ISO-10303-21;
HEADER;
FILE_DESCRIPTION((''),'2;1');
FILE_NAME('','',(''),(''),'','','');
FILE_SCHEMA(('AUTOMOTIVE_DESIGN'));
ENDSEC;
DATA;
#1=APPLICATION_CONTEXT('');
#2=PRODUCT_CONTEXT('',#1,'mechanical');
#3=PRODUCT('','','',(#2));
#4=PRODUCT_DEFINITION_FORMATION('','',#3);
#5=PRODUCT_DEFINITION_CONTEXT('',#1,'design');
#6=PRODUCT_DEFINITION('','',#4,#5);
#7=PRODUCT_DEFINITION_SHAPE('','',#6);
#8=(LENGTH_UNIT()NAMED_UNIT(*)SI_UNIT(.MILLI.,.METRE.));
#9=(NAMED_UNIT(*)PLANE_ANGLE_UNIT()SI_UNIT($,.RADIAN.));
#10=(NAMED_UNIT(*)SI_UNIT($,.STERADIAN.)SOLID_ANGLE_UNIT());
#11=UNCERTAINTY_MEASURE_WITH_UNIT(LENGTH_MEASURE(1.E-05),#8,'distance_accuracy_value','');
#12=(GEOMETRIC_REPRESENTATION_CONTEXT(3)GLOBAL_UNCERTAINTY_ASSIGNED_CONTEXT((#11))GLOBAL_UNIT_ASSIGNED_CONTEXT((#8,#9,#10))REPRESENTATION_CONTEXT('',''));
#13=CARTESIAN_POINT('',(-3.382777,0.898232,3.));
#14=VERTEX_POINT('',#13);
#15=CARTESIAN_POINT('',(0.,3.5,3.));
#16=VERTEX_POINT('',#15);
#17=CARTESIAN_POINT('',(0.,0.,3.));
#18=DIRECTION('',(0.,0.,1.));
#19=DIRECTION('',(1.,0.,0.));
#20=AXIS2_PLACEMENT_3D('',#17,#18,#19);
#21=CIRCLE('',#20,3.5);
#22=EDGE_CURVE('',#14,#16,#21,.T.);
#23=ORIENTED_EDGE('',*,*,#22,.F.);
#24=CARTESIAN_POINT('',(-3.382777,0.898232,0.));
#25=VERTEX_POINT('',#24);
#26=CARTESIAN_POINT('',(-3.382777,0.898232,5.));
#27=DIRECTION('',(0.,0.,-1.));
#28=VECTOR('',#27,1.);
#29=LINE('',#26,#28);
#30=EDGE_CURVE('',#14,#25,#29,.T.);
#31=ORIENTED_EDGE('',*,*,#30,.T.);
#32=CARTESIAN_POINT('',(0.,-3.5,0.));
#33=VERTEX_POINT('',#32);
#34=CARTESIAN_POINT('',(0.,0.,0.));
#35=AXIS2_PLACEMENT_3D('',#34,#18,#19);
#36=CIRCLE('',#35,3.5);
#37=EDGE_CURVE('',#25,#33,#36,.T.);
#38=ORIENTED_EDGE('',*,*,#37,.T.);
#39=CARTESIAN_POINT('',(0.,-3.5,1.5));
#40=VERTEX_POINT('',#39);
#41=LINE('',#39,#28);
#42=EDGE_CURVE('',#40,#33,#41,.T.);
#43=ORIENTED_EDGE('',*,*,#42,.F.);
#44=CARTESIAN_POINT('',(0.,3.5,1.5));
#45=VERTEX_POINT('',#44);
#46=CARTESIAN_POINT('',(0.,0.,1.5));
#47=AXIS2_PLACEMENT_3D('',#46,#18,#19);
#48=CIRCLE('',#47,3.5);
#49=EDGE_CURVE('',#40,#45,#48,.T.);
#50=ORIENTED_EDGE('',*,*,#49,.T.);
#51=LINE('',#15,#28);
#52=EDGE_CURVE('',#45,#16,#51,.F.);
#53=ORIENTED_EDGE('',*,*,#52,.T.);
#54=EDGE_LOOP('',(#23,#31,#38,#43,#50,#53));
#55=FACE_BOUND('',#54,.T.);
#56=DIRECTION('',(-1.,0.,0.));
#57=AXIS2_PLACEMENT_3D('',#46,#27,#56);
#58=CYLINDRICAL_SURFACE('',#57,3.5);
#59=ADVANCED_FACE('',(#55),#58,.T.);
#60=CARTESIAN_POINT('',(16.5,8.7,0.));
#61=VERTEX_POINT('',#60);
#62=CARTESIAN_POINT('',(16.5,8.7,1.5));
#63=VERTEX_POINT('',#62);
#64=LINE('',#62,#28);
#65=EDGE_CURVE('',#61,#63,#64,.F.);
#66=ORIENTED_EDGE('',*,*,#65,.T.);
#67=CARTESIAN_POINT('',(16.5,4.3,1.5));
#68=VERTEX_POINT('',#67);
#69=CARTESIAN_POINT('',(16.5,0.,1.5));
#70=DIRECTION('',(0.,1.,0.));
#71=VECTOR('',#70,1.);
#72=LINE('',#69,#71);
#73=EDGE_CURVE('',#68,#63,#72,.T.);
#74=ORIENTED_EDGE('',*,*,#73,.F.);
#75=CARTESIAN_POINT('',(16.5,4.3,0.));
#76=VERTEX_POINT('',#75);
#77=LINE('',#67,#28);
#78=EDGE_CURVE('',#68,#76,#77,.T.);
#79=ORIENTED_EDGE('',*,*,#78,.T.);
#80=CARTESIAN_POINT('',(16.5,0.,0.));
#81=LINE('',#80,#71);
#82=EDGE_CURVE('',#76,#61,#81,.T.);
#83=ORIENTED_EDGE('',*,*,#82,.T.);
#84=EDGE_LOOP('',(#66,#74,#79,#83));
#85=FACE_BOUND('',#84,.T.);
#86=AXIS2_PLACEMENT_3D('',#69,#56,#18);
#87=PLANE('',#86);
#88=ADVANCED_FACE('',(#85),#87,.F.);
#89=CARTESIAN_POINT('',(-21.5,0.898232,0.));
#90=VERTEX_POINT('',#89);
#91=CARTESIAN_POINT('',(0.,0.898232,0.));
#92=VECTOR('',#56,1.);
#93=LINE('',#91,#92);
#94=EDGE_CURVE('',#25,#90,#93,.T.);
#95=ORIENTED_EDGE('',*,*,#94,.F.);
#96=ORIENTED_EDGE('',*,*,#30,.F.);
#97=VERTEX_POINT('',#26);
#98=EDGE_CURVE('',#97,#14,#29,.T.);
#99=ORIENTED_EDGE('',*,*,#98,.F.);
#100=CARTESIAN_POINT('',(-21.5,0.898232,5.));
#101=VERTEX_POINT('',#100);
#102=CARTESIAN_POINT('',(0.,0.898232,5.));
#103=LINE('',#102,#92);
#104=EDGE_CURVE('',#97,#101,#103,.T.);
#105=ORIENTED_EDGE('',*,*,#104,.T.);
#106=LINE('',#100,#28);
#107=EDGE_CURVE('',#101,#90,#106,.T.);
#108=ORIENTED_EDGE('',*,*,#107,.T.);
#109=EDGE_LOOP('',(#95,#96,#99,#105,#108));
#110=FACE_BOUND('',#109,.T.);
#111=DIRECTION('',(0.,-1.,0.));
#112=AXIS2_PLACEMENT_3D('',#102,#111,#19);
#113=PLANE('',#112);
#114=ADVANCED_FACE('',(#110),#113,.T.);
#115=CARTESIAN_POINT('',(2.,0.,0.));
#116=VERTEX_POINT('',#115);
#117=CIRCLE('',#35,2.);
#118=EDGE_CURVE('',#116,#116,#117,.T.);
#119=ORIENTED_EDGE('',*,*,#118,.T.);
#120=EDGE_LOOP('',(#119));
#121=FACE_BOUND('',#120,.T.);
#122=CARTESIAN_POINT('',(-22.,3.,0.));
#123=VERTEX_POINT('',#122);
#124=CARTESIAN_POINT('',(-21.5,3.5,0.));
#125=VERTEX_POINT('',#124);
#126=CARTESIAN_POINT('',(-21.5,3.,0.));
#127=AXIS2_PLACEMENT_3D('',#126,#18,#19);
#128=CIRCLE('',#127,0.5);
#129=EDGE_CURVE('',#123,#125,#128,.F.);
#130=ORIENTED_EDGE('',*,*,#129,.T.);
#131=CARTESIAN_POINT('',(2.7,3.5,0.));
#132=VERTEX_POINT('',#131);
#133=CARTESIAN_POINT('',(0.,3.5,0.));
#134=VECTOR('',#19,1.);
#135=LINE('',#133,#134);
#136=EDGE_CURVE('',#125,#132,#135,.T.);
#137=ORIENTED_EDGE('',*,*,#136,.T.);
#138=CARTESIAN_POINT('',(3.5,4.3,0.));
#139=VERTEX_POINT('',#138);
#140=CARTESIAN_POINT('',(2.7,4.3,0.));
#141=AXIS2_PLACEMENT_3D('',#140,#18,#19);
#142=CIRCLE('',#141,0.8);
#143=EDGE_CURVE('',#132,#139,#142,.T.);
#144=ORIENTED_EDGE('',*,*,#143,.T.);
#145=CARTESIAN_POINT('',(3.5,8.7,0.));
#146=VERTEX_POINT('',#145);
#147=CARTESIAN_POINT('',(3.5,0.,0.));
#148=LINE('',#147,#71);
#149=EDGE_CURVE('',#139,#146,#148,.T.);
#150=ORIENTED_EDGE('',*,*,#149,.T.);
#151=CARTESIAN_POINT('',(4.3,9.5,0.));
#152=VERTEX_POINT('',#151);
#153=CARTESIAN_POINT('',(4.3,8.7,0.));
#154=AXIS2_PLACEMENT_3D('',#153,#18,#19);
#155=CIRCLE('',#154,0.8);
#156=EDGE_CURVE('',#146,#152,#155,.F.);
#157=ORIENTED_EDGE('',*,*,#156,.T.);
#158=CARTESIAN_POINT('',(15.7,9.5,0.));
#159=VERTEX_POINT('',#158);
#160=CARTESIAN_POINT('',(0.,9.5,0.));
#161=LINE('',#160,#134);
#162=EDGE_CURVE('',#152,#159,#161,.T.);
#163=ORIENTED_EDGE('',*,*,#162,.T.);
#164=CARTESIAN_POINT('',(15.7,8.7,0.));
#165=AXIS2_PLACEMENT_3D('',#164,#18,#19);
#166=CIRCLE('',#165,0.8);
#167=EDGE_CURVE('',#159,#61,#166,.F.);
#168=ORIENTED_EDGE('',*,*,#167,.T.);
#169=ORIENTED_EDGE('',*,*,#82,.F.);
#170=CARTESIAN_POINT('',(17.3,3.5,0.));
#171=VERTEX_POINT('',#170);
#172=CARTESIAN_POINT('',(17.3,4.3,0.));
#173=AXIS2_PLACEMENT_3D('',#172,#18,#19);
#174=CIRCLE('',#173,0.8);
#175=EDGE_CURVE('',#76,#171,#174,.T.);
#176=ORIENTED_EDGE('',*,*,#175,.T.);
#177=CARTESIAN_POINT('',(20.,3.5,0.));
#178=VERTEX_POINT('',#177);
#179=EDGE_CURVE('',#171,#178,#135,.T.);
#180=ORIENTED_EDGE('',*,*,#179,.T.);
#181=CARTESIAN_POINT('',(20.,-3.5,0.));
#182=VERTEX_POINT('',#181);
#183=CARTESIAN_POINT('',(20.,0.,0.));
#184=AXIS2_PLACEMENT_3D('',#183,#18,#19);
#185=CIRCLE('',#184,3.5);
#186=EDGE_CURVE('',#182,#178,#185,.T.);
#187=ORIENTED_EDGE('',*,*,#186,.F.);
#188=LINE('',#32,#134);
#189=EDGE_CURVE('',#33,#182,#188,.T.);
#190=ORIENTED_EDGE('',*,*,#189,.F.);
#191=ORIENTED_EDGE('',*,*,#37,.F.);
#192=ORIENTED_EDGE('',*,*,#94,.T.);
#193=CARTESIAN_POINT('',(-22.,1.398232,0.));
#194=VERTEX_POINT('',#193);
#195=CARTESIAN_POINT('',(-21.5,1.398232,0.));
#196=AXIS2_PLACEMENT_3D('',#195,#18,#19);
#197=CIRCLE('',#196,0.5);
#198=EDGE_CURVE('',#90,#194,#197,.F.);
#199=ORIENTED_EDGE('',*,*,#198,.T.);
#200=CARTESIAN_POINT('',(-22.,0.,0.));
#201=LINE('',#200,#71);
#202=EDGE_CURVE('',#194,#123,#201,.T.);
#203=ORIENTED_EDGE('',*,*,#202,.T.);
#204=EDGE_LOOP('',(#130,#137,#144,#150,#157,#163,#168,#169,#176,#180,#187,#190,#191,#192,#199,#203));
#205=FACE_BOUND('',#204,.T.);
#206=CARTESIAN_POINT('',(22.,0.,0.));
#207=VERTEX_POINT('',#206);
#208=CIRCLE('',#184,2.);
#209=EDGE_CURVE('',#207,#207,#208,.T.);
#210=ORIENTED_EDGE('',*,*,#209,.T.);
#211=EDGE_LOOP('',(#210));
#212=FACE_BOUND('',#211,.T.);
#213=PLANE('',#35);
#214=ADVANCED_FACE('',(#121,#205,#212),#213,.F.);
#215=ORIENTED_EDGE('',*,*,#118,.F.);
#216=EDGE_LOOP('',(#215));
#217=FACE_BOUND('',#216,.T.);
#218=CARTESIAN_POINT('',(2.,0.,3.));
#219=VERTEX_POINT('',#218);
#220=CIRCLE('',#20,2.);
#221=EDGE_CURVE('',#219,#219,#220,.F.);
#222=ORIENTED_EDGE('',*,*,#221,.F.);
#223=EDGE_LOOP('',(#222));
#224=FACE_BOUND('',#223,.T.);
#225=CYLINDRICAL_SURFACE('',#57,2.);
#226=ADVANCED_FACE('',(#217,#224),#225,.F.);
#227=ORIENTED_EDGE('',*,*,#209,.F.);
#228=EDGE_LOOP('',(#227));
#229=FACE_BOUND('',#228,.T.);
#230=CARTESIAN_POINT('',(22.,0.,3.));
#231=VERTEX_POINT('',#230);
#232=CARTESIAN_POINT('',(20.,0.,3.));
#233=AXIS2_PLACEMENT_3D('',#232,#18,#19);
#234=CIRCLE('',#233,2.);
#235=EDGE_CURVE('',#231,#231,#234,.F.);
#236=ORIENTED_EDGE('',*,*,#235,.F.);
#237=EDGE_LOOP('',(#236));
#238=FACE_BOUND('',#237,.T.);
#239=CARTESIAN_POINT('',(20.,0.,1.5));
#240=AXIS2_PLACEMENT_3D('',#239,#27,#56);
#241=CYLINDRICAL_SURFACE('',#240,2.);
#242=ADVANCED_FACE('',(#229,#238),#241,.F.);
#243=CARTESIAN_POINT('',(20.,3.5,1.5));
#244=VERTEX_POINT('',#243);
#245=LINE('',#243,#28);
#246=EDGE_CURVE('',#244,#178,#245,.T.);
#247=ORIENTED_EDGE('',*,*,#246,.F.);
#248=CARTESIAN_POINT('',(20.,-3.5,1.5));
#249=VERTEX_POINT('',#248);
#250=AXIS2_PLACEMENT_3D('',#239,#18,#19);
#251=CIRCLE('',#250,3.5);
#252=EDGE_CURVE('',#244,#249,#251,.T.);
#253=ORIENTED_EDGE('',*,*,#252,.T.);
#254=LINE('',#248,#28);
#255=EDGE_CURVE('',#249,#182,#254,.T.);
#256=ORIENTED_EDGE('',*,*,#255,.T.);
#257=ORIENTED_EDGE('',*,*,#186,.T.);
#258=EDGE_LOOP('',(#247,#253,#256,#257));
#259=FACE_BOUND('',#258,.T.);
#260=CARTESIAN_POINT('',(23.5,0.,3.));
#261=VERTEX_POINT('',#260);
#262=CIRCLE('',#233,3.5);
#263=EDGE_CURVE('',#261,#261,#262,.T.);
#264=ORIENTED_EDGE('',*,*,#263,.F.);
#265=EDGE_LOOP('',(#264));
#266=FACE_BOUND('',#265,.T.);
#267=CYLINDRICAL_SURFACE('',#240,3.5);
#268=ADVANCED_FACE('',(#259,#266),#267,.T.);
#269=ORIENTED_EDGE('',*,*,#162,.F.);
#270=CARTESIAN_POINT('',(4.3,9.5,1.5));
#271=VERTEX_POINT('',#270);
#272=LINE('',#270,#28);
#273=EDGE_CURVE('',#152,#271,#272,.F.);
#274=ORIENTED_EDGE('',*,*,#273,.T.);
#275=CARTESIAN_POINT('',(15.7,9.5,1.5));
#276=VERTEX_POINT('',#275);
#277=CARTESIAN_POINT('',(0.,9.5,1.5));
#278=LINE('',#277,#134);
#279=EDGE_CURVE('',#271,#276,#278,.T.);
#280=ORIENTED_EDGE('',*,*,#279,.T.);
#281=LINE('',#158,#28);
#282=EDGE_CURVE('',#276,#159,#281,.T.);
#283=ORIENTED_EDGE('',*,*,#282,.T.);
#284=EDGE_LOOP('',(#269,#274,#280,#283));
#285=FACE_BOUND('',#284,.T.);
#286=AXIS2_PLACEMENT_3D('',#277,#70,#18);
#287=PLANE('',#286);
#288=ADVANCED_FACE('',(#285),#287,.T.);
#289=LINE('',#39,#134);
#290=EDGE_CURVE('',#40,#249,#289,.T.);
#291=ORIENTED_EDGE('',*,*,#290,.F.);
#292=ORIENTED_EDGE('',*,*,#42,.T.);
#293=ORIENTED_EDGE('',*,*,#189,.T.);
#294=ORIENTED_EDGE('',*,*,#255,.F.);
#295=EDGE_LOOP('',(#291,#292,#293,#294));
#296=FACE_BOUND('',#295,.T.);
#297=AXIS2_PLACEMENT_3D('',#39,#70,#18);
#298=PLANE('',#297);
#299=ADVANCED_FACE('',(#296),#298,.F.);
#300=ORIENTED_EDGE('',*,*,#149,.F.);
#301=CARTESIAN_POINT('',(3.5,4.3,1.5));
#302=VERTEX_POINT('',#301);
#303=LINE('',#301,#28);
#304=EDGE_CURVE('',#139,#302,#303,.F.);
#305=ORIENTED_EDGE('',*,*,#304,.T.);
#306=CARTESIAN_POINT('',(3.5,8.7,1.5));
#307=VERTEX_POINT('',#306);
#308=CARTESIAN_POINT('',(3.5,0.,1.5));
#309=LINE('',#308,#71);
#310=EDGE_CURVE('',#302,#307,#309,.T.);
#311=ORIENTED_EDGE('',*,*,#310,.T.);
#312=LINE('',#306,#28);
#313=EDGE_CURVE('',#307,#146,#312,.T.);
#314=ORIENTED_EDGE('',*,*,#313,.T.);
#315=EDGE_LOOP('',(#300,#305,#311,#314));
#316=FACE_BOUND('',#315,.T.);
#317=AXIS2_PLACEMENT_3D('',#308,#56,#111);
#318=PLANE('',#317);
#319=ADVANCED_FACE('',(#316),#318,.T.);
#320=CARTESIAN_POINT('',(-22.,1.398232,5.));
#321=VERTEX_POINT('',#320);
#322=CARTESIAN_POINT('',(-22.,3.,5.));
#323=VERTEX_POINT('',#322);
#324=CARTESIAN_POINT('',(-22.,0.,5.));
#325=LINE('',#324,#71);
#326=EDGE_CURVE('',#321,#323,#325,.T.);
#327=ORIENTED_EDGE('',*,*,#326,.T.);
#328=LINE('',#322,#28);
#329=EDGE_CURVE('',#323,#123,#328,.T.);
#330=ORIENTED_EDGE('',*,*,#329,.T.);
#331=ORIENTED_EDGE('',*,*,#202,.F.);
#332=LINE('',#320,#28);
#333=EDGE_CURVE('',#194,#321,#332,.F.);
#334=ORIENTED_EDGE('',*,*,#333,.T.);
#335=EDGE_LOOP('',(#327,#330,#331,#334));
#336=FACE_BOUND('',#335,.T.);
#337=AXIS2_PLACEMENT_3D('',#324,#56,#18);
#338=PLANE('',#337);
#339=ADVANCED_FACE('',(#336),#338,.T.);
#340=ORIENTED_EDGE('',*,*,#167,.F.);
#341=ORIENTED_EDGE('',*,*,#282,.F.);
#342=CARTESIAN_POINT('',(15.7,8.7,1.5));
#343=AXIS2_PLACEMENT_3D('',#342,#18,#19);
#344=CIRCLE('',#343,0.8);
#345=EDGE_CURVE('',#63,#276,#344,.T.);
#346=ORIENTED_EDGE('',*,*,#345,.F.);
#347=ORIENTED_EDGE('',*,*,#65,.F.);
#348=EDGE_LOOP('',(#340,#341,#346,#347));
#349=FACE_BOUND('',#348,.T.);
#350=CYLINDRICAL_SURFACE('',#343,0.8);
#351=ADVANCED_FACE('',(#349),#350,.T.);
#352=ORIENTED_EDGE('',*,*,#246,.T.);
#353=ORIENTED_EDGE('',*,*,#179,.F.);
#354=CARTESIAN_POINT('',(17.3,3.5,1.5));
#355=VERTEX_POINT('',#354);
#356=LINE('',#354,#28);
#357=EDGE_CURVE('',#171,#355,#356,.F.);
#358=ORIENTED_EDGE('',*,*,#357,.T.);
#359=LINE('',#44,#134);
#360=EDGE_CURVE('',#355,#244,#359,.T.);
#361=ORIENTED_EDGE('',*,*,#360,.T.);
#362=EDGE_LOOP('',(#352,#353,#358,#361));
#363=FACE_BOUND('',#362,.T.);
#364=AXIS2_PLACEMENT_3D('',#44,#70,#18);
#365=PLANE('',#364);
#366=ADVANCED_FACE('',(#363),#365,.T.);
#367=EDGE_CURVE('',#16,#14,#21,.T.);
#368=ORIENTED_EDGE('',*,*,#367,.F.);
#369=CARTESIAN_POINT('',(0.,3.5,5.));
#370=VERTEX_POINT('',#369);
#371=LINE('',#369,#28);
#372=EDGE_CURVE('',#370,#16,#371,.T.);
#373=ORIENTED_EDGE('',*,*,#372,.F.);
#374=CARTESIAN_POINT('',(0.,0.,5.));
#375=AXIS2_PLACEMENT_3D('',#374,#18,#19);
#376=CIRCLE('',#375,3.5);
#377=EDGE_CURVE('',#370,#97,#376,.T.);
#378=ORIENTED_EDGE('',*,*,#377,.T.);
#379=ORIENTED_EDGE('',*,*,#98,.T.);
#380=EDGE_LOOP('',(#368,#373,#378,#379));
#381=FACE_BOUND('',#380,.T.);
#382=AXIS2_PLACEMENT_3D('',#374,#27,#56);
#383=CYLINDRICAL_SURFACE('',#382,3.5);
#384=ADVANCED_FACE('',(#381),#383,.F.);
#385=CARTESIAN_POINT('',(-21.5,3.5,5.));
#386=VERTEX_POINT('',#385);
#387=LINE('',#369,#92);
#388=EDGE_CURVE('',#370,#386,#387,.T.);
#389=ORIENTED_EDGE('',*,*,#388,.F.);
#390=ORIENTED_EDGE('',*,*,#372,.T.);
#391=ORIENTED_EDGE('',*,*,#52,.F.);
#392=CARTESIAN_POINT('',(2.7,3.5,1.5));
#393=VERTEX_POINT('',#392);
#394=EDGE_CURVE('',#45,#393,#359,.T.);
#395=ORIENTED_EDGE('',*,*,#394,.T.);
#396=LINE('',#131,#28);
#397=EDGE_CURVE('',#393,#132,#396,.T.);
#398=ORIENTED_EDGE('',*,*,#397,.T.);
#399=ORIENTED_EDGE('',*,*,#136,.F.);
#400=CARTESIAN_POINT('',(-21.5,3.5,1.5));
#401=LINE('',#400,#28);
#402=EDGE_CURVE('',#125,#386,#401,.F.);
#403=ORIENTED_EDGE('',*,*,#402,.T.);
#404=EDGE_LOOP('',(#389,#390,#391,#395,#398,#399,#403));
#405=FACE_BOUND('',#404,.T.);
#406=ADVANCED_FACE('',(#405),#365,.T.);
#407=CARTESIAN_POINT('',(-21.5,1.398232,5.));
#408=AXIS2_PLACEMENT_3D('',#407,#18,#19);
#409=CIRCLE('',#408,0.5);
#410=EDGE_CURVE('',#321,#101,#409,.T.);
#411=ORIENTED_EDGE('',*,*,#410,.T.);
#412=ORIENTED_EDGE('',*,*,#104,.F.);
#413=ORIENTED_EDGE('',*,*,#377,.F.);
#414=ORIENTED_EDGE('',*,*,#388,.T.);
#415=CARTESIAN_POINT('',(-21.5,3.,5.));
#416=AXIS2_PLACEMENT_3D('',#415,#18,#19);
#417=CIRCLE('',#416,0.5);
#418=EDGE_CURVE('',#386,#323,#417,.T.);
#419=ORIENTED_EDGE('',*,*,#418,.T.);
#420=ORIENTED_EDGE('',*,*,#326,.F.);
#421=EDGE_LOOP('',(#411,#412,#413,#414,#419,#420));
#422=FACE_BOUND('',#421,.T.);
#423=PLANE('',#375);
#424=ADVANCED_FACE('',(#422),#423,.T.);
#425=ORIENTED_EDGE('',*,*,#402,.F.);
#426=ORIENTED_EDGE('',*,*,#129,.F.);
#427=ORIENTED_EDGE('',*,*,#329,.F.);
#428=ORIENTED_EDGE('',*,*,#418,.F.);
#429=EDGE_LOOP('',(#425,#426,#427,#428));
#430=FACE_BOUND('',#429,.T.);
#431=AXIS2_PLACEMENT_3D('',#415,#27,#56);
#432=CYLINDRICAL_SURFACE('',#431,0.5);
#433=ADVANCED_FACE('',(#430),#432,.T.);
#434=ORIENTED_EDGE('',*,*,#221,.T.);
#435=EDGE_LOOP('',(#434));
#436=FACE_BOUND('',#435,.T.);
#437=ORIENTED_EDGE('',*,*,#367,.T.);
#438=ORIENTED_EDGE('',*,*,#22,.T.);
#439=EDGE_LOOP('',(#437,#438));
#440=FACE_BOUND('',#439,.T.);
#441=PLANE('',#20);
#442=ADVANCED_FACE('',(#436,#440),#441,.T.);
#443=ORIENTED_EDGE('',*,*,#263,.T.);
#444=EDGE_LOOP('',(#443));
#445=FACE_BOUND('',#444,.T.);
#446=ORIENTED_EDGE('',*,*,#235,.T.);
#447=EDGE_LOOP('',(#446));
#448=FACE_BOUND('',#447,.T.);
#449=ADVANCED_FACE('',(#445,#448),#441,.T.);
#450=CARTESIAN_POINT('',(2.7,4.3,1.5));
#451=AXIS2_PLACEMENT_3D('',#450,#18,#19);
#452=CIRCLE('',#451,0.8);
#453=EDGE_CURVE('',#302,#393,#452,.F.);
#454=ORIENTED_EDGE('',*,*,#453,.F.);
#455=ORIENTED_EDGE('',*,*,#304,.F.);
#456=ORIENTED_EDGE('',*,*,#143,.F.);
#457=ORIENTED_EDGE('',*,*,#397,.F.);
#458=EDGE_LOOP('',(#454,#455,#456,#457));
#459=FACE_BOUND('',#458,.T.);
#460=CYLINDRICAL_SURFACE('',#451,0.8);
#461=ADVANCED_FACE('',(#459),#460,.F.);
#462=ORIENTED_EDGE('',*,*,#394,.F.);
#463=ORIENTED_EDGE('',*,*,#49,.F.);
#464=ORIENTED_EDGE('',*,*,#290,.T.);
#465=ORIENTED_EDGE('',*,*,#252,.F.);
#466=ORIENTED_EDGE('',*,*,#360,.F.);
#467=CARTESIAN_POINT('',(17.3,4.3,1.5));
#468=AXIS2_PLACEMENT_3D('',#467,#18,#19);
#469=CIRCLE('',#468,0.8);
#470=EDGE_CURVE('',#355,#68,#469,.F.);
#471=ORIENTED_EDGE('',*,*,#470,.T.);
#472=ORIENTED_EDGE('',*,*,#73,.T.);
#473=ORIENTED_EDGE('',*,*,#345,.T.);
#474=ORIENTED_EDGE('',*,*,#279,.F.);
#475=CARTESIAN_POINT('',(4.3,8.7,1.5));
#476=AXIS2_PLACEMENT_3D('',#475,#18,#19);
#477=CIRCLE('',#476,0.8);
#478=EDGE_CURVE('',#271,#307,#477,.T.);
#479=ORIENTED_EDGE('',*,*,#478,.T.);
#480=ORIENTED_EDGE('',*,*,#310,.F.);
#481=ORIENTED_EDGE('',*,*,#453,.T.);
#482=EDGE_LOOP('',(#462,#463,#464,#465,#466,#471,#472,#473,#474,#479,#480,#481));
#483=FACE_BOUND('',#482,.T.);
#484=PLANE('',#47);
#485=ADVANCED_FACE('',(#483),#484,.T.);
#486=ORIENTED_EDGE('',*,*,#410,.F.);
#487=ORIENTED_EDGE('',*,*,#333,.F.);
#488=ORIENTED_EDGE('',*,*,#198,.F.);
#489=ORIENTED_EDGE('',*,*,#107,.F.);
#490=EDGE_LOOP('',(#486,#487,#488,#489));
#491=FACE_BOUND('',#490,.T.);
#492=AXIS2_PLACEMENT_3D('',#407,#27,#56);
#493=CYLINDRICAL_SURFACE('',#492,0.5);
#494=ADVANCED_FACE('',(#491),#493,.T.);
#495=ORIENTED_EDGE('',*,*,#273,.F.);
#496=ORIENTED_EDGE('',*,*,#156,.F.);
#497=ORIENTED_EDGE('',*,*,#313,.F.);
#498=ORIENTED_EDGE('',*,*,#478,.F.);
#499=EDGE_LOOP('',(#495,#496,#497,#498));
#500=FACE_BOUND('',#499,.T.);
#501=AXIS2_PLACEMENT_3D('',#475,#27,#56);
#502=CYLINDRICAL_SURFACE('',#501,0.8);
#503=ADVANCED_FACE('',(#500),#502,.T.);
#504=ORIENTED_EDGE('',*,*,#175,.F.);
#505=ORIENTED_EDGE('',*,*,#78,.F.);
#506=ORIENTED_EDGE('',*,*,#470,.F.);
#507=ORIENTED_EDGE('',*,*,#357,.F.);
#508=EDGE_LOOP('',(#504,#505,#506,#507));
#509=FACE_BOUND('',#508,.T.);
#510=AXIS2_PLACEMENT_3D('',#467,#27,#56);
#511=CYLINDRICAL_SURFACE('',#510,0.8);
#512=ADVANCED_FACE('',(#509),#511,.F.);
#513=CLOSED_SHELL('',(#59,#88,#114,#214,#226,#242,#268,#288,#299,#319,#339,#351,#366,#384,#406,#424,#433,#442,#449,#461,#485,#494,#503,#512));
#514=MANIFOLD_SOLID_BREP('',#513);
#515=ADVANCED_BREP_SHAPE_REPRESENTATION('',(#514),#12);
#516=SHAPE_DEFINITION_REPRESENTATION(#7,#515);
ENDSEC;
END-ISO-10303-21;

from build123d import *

# Parameters (mm, degrees)
SKETCH1_R           = 2
BOSS_EXTRUDE1_DEPTH = 1.5
BOSS_EXTRUDE2_DEPTH = 5
SKETCH2_R           = 3.5
SKETCH2_R_2         = 2
BOSS_EXTRUDE3_DEPTH = 1.5
FILLET2_R           = 0.8
FILLET3_R           = 0.5


with BuildPart() as part:
    # Sketch1 → Boss-Extrude1 (new body)
    with BuildSketch(Plane.XY):
        with BuildLine():
            Line((3.5, 3.5), (0, 3.5))
            ThreePointArc((0, 3.5), (-3.5, 0), (0, -3.5))
            Line((0, -3.5), (20, -3.5))
            ThreePointArc((20, -3.5), (23.5, 0), (20, 3.5))
            Line((20, 3.5), (16.5, 3.5))
            Line((16.5, 3.5), (16.5, 9.5))
            Line((16.5, 9.5), (3.5, 9.5))
            Line((3.5, 9.5), (3.5, 3.5))
        make_face()
        Circle(SKETCH1_R, mode=Mode.SUBTRACT)
        with Locations((20, 0)):
            Circle(SKETCH1_R, mode=Mode.SUBTRACT)
    extrude(amount=BOSS_EXTRUDE1_DEPTH)

    # Sketch1<3> → Boss-Extrude2 (add)
    with BuildSketch(Plane.XY):
        with BuildLine():
            ThreePointArc((-3.382776961, 0.898231613), (-2.133798181, 2.774329707), (0, 3.5))
            Line((0, 3.5), (-22, 3.5))
            Line((-22, 3.5), (-22, 0.898231613))
            Line((-22, 0.898231613), (-3.382776961, 0.898231613))
        make_face()
    extrude(amount=BOSS_EXTRUDE2_DEPTH)

    # Sketch2 → Boss-Extrude3 (add)
    # profile 1 of 2: a face of its own
    with BuildSketch(Plane.XY.offset(1.5)):
        with Locations((20, 0)):
            Circle(SKETCH2_R)
        with Locations((20, 0)):
            Circle(SKETCH2_R_2, mode=Mode.SUBTRACT)
    # profile 2 of 2: a face of its own
    with BuildSketch(Plane.XY.offset(1.5)):
        Circle(SKETCH2_R)
        Circle(SKETCH2_R_2, mode=Mode.SUBTRACT)
    extrude(amount=BOSS_EXTRUDE3_DEPTH)

    # Fillet2
    fillet2_edges = [part.edges().sort_by_distance(p)[0] for p in [
        (16.5, 9.5, 0.75),
        (16.5, 3.5, 0.75),
        (3.5, 9.5, 0.75),
        (3.5, 3.5, 0.75),
    ]]
    fillet(fillet2_edges, radius=FILLET2_R)

    # Fillet3
    fillet3_edges = [part.edges().sort_by_distance(p)[0] for p in [
        (-22, 3.5, 2.5),
        (-22, 0.898231613, 2.5),
    ]]
    fillet(fillet3_edges, radius=FILLET3_R)


solid = part.part
